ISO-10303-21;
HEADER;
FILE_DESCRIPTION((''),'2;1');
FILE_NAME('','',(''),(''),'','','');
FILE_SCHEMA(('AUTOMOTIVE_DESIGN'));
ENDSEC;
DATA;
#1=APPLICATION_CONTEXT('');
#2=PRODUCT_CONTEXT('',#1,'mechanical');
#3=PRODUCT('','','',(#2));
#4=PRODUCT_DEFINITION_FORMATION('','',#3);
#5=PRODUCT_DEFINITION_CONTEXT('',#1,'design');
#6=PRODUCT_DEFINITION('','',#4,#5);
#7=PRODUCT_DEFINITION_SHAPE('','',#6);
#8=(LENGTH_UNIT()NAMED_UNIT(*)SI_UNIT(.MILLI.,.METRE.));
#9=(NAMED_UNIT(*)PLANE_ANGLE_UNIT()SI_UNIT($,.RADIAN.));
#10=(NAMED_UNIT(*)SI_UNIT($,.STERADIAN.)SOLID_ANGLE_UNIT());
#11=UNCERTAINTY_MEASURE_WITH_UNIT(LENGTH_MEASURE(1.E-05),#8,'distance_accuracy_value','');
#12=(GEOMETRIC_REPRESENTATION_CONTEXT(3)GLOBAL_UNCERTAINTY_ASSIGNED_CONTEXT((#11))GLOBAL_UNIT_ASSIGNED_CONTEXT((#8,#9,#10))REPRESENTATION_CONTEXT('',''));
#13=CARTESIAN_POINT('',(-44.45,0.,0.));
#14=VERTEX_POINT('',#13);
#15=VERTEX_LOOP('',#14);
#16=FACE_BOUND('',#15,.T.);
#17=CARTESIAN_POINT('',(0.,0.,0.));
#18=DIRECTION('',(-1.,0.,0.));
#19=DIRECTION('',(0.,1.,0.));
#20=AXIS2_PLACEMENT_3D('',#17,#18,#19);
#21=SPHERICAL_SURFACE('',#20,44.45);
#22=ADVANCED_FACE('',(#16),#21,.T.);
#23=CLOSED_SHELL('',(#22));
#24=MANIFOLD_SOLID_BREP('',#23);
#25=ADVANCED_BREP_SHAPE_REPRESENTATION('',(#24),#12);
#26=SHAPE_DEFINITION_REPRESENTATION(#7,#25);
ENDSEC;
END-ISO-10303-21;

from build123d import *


with BuildPart() as part:
    # Sketch1 → Revolve1 (revolve)
    with BuildSketch(Plane.XY):
        with BuildLine():
            Line((-44.45, 0), (44.45, 0))
            ThreePointArc((44.45, 0), (0, 44.45), (-44.45, 0))
        make_face()
    revolve(axis=Axis((-44.45, 0, 0), (1, 0, 0)))


solid = part.part
